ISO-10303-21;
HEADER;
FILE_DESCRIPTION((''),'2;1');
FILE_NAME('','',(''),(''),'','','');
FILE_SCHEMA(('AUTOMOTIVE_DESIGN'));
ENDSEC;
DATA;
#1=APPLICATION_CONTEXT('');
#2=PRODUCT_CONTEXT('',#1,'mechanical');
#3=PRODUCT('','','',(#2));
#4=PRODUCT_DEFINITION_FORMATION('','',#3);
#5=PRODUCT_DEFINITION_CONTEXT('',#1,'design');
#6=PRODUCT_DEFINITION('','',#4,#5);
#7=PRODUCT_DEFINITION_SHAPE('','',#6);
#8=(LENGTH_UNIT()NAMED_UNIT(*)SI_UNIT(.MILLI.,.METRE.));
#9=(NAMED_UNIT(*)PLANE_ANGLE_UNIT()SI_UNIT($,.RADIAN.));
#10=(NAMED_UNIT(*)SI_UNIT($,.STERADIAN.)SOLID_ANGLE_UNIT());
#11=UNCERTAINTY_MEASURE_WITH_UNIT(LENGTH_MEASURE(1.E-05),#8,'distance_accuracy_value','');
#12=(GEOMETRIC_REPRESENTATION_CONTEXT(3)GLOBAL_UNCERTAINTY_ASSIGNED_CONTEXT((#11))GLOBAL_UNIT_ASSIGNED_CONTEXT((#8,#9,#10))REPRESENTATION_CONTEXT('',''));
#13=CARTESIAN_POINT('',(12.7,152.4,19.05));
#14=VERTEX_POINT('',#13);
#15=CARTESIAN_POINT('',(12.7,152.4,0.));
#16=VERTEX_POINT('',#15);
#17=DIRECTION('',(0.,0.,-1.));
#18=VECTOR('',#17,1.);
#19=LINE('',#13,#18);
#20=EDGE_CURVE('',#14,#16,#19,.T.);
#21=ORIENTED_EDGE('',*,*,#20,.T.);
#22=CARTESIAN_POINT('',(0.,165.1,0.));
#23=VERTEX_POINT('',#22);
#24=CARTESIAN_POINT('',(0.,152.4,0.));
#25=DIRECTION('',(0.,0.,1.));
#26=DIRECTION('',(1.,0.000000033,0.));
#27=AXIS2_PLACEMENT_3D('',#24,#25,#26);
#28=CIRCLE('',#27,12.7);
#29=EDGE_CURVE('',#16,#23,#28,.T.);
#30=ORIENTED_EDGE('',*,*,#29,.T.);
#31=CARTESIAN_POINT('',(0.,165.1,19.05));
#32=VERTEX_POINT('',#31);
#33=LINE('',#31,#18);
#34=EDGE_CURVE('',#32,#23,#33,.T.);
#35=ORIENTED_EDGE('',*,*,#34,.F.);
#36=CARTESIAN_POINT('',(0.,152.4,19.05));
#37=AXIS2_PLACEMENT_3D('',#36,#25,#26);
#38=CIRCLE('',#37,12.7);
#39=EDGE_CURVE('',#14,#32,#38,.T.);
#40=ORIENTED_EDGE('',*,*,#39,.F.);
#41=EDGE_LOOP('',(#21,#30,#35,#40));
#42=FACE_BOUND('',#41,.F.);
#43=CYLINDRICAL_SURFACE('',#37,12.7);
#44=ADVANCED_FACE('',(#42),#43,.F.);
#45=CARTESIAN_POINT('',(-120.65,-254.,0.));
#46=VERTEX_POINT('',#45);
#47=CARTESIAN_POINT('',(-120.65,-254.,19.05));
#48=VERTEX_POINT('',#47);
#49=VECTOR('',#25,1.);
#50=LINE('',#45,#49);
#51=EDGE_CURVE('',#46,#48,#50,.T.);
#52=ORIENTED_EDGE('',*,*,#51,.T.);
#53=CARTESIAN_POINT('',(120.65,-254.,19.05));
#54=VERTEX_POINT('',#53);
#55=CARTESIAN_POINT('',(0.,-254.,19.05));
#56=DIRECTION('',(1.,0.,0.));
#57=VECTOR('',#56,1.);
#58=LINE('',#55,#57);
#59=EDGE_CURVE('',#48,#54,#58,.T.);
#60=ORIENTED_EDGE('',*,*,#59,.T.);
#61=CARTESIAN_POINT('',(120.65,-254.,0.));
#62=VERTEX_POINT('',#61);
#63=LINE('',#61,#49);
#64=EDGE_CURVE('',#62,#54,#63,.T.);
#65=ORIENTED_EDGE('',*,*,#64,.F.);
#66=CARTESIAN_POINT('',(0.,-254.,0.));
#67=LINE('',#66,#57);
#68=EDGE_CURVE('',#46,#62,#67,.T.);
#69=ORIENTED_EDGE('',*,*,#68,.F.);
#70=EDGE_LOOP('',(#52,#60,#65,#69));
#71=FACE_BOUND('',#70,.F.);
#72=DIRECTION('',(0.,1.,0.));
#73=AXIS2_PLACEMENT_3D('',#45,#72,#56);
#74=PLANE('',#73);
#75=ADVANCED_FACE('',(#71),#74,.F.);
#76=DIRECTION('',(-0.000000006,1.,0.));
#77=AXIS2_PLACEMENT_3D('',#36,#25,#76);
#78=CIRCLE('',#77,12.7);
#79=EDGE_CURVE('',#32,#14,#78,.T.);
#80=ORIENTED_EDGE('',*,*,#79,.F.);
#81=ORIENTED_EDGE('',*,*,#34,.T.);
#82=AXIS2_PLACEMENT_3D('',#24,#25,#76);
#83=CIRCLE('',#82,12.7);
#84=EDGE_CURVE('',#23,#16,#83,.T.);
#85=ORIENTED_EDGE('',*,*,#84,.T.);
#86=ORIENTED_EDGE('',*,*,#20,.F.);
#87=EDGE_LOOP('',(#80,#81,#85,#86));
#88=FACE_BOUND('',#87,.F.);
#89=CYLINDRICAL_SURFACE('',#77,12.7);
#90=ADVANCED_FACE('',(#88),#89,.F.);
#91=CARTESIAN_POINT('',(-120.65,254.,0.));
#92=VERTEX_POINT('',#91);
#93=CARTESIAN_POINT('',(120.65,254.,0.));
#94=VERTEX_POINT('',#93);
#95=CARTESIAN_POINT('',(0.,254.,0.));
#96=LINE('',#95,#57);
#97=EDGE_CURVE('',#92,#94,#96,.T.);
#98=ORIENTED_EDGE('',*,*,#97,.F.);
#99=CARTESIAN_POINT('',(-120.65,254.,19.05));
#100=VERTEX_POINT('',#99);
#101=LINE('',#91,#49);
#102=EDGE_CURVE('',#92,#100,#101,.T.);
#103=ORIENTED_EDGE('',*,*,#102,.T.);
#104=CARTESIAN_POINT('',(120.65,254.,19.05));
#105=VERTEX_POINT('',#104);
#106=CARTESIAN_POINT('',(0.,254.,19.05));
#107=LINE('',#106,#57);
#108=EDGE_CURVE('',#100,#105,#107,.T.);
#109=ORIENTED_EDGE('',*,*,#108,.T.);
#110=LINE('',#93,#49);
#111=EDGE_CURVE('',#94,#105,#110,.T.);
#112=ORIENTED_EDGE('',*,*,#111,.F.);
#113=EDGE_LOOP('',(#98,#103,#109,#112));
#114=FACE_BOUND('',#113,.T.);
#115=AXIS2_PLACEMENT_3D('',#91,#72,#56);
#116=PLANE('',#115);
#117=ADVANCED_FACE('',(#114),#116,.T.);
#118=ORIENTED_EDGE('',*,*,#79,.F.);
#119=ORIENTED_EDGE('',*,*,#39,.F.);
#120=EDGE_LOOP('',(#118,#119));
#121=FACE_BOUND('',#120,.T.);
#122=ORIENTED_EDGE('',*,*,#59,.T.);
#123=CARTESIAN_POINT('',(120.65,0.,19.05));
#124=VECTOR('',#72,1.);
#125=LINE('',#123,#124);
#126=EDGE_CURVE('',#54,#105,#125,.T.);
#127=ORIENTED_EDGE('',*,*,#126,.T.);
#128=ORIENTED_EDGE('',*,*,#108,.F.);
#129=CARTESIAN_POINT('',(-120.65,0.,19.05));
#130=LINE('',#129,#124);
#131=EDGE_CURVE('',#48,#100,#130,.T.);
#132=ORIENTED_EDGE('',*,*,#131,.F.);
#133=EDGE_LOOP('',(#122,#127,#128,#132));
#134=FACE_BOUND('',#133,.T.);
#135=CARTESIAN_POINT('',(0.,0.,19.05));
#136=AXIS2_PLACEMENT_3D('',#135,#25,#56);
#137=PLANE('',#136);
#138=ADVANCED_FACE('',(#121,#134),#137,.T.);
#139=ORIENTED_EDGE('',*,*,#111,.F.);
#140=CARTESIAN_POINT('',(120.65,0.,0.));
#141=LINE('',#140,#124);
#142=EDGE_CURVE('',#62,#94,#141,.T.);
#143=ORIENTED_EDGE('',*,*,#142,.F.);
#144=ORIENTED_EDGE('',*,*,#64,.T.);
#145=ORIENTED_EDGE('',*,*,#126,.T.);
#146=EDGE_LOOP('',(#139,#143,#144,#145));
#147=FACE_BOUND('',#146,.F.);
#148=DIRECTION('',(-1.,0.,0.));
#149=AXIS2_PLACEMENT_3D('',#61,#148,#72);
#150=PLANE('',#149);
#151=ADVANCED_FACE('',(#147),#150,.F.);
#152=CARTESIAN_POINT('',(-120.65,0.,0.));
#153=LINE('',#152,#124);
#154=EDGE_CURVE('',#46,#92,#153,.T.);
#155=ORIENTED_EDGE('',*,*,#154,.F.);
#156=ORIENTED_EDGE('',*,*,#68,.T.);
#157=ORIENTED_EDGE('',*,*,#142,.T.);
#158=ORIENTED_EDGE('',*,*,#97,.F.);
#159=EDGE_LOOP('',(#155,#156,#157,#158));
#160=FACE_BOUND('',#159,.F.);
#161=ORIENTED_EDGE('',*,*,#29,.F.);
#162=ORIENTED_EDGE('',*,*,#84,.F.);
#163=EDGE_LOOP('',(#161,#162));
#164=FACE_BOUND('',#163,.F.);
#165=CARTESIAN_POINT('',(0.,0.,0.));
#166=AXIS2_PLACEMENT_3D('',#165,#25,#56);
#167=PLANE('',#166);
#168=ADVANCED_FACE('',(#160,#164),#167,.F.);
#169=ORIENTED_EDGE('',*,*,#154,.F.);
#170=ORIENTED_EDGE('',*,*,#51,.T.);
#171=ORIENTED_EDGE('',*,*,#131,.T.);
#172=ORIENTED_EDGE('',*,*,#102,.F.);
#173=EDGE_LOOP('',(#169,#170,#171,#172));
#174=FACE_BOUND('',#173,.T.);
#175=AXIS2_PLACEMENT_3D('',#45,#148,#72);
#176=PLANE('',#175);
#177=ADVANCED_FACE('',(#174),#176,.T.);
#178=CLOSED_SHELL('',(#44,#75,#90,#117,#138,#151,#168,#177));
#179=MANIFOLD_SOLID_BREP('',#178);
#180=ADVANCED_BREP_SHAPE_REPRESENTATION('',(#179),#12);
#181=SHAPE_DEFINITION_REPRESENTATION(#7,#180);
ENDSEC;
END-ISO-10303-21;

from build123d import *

# Parameters (mm, degrees)
F0_W     = 241.3
F0_H     = 508
F1_DEPTH = 19.05
F3_DEPTH = 19.051


with BuildPart() as f1:
    # F0 (on Top) → F1 (new body)
    with BuildSketch(Plane.XY):
        Rectangle(F0_W, F0_H)
    extrude(amount=F1_DEPTH)

    # F2 (on face) → F3 (cut, through all)
    with BuildSketch(Plane.XY.offset(19.05)):
        with BuildLine():
            ThreePointArc((12.7, 152.4), (8.980256, 161.380256), (0, 165.1))
            ThreePointArc((0, 165.1), (-8.980256, 143.419744), (12.7, 152.4))
        make_face()
    extrude(amount=-F3_DEPTH, mode=Mode.SUBTRACT)


solid = f1.part
